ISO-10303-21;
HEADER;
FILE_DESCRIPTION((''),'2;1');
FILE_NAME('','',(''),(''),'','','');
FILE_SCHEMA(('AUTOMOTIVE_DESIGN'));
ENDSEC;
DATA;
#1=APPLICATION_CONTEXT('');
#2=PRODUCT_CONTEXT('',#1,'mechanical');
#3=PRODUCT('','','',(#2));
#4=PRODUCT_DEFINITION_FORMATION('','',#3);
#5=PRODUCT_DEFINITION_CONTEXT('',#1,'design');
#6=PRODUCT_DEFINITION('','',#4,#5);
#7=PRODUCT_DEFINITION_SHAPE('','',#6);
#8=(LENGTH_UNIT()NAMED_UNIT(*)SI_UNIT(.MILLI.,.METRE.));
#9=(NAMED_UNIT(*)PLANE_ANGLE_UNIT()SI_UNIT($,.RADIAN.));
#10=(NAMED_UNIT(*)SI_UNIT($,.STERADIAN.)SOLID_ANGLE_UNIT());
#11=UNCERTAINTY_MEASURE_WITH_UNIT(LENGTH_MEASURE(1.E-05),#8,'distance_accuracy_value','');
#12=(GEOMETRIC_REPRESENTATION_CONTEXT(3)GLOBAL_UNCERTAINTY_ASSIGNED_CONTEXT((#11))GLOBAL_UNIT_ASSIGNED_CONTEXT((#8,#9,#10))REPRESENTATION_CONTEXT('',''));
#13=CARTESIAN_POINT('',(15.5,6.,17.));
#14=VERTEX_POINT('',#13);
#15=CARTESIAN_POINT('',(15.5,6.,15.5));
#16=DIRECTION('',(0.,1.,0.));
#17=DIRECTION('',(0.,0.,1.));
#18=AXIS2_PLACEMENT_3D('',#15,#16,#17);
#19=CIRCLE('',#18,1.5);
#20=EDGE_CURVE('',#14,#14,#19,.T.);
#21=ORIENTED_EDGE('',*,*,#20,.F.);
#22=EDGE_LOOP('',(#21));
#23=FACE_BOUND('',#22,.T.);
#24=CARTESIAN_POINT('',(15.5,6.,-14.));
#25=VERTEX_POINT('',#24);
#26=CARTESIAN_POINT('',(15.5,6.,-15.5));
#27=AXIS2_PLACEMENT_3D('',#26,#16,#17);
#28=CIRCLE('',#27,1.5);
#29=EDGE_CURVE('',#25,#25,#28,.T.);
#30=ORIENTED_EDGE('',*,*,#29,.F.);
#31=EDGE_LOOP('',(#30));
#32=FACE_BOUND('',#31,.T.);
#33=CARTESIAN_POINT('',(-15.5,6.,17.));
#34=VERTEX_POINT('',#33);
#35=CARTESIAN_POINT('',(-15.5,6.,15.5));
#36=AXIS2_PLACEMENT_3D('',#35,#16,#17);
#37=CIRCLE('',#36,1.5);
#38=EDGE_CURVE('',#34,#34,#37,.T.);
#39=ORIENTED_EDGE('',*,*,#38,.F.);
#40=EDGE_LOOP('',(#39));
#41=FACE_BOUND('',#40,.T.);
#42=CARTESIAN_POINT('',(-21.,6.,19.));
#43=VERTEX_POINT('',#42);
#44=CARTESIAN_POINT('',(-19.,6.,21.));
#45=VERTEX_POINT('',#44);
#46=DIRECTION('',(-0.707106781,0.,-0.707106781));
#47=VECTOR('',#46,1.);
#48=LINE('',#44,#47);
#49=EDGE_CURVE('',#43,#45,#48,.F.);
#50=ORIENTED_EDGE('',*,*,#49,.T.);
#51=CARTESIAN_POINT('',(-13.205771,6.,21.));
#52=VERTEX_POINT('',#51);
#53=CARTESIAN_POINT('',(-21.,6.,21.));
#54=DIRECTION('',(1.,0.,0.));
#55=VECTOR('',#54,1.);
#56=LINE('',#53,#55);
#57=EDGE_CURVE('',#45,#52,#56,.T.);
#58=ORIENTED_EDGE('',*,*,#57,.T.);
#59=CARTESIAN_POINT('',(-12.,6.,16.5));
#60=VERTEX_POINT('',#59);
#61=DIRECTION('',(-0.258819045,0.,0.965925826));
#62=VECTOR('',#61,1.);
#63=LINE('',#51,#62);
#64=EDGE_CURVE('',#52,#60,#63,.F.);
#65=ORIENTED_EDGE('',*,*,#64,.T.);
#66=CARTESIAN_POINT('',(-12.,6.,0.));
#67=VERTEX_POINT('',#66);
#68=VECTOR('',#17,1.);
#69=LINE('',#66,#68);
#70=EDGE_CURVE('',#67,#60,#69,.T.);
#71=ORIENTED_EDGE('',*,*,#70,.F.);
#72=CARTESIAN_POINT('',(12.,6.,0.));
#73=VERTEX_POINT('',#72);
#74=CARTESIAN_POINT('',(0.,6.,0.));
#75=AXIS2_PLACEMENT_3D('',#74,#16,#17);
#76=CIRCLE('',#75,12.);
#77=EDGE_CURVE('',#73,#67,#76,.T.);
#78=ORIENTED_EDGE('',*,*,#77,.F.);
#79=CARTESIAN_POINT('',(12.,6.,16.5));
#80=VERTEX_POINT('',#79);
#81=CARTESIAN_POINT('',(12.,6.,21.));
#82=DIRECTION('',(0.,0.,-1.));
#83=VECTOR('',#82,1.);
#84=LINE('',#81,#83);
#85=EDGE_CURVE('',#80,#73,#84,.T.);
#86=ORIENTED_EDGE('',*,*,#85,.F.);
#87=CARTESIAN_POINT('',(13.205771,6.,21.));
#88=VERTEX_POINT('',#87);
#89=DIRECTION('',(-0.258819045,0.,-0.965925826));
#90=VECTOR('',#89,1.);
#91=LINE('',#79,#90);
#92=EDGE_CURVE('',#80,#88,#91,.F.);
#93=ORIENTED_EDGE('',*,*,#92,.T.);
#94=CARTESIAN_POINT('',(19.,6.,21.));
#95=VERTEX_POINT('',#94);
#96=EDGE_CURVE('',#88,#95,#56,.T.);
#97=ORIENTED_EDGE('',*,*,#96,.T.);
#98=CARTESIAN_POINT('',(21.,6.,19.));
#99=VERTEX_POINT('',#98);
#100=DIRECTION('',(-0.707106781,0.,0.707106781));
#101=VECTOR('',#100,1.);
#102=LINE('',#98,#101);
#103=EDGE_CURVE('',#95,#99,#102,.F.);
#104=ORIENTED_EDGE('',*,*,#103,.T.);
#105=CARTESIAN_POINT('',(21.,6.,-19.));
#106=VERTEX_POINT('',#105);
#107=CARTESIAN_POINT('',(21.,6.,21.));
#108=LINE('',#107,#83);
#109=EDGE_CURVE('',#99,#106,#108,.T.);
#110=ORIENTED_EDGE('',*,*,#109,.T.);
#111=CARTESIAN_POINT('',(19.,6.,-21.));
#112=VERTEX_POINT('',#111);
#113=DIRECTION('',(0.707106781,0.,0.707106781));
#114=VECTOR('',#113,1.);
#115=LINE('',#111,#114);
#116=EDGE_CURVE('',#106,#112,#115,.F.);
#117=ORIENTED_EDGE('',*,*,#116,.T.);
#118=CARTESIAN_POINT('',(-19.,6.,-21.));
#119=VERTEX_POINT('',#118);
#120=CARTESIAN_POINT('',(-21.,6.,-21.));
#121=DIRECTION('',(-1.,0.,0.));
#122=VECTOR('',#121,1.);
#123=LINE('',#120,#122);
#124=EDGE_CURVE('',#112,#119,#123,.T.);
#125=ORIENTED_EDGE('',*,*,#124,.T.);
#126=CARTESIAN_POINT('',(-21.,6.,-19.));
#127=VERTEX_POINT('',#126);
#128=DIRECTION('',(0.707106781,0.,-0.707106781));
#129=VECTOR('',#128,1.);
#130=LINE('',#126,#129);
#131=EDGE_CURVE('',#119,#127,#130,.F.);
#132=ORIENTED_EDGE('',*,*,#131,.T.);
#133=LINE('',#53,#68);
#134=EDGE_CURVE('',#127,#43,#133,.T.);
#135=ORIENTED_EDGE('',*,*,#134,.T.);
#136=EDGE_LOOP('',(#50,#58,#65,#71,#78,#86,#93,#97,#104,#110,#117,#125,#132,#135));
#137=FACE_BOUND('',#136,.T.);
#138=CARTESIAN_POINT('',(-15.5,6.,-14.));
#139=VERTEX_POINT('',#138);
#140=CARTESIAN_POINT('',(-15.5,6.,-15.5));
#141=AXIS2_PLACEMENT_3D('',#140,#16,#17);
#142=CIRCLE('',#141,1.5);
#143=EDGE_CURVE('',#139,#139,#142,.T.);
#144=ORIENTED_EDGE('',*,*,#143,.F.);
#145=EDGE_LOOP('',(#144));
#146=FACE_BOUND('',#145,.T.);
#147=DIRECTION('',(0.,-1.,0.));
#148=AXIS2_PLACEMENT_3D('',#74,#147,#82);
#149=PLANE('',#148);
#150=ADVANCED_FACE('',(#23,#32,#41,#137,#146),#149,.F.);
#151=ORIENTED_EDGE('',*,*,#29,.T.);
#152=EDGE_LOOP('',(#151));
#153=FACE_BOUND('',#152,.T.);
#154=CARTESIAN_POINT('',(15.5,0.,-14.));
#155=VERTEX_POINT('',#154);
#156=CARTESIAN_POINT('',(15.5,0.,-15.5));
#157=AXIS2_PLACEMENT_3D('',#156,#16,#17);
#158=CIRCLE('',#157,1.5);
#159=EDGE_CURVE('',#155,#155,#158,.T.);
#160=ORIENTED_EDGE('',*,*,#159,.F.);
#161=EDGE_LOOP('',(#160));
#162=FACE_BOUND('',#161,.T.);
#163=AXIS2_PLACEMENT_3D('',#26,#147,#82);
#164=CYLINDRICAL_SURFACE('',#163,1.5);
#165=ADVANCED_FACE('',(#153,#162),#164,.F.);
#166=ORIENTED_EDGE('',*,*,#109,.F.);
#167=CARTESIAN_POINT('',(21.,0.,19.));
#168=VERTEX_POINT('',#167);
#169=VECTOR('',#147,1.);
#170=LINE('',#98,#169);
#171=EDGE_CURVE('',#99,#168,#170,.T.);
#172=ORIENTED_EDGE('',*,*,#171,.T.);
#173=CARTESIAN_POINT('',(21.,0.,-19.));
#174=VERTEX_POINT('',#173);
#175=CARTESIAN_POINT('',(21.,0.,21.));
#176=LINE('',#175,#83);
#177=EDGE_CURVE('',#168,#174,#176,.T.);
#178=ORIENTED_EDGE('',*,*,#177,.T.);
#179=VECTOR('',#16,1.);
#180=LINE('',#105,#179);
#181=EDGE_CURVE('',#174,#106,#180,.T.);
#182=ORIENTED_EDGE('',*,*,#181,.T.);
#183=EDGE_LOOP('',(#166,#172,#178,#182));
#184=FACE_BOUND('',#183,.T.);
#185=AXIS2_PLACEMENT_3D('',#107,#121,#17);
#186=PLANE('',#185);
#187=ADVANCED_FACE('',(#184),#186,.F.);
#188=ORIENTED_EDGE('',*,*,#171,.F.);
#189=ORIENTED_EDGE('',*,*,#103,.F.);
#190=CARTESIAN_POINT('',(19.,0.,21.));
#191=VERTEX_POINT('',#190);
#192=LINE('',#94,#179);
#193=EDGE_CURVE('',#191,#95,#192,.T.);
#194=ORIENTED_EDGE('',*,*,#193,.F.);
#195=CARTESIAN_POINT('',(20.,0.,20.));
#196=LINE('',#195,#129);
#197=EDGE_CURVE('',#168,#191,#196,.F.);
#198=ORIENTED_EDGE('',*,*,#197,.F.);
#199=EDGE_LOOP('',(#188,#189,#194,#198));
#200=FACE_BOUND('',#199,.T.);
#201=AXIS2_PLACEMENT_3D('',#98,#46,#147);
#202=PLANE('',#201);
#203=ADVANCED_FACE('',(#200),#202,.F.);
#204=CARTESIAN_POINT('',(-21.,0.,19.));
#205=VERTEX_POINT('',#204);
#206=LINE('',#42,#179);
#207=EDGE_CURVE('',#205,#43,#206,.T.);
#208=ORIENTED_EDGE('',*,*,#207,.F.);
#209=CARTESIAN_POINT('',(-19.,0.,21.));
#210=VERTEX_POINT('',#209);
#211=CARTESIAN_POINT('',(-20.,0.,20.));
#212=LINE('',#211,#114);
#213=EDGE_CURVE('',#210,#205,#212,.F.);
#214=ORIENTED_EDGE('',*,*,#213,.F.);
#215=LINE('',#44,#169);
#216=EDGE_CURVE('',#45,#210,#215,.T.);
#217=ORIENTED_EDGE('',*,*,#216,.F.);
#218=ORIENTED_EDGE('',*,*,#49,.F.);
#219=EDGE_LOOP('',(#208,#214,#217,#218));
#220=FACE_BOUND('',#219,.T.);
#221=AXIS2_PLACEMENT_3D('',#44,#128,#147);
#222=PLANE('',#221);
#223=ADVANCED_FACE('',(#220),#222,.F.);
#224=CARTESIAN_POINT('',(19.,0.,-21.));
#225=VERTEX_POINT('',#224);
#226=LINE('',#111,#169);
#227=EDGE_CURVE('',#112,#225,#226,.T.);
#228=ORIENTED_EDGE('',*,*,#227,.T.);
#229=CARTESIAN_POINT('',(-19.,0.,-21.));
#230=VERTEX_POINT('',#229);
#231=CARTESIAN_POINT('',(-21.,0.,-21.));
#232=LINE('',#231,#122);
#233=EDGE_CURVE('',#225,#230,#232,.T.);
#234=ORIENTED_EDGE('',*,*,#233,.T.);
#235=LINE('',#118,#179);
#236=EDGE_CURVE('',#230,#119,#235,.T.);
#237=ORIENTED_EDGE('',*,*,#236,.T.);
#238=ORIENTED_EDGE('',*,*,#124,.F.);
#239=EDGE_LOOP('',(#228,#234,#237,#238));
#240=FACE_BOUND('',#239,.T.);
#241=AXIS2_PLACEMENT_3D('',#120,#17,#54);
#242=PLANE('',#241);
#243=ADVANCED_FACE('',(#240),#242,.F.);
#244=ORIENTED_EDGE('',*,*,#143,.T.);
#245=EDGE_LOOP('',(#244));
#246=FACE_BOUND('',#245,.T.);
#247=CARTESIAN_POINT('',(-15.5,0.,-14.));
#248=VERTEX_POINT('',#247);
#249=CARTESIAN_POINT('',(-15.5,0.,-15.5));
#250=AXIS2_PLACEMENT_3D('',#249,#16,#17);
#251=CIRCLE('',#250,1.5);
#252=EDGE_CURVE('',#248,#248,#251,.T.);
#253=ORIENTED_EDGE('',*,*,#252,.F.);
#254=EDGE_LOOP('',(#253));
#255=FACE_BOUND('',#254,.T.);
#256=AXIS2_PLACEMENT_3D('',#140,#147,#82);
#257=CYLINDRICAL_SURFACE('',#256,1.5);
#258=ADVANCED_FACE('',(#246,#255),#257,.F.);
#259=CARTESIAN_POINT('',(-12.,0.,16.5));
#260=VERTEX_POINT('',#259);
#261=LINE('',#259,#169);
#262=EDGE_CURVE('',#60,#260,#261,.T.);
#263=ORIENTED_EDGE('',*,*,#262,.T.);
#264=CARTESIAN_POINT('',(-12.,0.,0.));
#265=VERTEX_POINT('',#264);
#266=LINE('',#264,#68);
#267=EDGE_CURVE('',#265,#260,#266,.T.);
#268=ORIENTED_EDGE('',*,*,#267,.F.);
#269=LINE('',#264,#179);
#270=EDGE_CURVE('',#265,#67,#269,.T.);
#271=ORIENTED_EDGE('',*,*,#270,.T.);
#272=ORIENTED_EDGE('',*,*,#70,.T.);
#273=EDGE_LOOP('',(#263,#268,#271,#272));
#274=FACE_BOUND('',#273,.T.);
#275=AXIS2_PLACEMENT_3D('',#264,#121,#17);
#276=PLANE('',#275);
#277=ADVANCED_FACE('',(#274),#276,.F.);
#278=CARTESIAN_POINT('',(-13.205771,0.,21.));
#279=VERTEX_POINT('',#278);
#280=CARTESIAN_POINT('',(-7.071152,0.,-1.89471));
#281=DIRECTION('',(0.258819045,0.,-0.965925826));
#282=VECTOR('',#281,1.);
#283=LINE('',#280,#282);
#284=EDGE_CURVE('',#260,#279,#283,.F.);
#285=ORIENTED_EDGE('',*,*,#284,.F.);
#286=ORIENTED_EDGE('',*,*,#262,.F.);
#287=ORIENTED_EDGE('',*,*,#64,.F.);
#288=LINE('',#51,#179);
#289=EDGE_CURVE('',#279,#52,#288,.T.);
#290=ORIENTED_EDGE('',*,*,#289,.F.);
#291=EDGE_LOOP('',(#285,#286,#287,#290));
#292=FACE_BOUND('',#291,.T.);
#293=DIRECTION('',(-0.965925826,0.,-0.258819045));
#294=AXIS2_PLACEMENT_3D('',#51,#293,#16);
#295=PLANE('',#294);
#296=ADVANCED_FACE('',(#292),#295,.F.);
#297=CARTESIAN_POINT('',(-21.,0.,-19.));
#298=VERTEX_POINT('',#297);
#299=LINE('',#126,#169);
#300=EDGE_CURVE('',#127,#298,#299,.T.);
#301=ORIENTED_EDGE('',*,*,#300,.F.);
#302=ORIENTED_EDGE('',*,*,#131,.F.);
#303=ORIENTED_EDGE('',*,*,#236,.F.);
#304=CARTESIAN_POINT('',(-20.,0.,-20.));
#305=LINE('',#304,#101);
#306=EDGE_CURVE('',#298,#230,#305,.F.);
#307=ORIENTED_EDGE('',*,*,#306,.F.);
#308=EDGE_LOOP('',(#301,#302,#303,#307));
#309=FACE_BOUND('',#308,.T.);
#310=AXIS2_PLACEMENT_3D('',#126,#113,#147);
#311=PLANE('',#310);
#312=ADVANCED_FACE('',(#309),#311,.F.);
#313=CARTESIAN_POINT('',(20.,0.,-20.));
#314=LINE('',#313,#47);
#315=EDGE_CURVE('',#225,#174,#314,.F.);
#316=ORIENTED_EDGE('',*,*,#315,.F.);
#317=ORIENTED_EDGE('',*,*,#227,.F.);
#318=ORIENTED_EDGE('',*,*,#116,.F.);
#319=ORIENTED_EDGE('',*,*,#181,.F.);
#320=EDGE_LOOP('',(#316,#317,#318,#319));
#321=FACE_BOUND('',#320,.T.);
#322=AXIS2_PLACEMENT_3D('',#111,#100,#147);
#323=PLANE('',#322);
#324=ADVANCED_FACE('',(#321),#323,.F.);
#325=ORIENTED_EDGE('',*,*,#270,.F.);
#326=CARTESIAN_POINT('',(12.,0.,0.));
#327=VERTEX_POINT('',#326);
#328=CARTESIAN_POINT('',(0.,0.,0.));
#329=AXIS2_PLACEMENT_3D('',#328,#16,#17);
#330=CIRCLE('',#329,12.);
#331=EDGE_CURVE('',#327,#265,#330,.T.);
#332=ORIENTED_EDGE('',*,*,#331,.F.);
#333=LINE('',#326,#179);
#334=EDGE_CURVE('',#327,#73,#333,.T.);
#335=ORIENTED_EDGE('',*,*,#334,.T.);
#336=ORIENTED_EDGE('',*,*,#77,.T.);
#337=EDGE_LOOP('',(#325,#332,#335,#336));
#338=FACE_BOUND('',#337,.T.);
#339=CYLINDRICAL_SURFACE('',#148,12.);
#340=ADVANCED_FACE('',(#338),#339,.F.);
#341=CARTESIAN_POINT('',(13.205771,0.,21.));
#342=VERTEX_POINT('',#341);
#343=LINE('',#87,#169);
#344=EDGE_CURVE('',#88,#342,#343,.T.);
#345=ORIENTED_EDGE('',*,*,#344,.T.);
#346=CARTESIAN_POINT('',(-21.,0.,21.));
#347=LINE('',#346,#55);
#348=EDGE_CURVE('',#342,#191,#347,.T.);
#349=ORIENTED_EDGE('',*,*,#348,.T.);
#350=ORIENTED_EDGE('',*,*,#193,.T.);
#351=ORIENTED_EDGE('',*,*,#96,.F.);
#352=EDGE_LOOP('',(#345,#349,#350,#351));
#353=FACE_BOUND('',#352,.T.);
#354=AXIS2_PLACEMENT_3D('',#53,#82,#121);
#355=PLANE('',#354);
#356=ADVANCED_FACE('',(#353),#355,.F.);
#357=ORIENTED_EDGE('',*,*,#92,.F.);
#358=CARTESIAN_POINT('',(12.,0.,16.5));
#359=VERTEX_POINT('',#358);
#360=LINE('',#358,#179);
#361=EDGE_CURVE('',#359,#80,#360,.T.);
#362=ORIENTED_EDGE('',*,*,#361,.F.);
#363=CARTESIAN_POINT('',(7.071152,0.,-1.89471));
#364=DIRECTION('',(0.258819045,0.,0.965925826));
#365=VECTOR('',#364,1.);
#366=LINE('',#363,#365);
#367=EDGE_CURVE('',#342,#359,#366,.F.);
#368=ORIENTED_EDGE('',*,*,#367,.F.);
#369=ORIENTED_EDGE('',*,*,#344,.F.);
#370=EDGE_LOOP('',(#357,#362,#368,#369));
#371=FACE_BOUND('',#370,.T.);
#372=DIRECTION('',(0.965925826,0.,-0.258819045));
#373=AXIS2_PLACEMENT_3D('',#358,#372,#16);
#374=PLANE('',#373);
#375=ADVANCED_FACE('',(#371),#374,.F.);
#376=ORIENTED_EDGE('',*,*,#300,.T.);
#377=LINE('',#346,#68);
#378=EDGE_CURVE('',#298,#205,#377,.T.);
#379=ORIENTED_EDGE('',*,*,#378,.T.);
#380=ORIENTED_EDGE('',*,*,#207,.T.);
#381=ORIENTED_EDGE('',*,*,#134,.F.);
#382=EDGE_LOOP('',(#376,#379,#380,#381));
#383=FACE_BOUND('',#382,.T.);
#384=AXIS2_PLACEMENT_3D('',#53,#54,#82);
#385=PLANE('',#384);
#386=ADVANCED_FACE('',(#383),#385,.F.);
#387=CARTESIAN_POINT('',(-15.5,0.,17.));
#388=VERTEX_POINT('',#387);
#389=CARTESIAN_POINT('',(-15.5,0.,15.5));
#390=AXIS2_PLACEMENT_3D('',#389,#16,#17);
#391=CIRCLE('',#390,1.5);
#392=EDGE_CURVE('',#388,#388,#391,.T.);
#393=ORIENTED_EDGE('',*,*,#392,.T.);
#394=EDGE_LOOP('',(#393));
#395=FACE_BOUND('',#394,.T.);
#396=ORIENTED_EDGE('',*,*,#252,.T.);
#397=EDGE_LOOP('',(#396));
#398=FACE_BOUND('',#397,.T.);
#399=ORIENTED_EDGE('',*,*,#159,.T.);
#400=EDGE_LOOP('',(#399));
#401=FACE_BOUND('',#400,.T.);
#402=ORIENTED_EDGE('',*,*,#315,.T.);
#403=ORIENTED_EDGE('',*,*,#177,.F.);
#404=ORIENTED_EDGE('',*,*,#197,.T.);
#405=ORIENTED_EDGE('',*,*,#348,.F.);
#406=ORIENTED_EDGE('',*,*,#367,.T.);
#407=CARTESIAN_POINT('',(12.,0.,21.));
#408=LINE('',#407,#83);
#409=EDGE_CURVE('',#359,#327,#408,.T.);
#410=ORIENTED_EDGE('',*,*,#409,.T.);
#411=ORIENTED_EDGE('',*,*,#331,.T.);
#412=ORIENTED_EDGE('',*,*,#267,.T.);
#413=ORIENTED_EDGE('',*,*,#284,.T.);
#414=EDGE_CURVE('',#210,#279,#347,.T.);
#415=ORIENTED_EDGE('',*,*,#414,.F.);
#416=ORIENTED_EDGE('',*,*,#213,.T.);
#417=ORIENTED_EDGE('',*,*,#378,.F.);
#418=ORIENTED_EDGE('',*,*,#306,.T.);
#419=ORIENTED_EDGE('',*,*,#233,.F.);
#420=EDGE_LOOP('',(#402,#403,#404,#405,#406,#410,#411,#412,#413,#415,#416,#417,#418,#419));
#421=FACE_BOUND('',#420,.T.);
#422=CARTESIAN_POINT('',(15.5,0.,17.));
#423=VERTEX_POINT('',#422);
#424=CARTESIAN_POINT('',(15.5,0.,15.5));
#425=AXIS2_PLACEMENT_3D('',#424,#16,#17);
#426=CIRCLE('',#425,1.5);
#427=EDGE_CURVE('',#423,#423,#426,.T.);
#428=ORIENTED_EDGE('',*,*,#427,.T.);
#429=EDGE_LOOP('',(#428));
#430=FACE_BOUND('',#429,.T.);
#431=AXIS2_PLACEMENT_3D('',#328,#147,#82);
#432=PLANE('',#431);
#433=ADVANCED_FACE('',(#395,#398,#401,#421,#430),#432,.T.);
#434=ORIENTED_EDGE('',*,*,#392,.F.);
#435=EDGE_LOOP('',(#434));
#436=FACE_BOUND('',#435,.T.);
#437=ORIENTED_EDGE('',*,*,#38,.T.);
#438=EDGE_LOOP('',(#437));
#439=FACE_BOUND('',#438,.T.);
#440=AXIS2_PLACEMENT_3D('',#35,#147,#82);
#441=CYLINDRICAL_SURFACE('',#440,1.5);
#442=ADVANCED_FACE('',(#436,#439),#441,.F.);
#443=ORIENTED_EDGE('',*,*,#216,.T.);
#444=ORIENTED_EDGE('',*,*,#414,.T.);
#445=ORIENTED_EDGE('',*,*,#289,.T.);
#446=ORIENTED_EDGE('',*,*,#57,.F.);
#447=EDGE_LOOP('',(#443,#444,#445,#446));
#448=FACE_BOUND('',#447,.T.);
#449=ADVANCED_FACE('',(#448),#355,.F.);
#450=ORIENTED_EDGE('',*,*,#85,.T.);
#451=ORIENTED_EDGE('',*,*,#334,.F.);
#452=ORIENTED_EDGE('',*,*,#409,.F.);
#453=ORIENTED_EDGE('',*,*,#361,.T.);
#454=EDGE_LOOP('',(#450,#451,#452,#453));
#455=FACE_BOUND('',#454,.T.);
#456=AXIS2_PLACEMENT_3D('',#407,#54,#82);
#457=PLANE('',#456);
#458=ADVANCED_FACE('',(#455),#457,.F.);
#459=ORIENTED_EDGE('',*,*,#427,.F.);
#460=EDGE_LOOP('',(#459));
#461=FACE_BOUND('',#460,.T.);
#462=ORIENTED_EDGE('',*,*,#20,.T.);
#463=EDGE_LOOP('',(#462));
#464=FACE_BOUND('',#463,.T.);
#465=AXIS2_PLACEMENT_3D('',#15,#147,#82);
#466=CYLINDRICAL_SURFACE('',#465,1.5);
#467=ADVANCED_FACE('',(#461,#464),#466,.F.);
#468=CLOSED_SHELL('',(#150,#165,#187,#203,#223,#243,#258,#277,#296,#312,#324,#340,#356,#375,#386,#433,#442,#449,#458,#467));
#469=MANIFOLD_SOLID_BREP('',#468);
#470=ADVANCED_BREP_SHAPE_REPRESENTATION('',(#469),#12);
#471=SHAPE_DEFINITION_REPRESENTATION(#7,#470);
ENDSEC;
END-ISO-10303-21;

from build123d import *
from OCP.BRepFilletAPI import BRepFilletAPI_MakeChamfer

# Parameters (mm, degrees)
SKETCH1_W           = 42
SKETCH1_H           = 42
SKETCH1_R           = 12
SKETCH1_R_2         = 1.5
BOSS_EXTRUDE1_DEPTH = 6
CHAMFER1_SIZE       = 2
SKETCH2_W           = 24
SKETCH2_H           = 21
CUT_EXTRUDE1_DEPTH  = 31.298514815
CHAMFER2_SIZE       = 4.5
CHAMFER2_SIZE2      = 1.205771366


with BuildPart() as part:
    # Sketch1 → Boss-Extrude1 (new body)
    with BuildSketch(Plane(origin=(0, 0, 0), x_dir=(1, 0, 0), z_dir=(0, 1, 0))):
        Rectangle(SKETCH1_W, SKETCH1_H)
        with Locations(Location((0, 0, 0), (0, 0, 270))):
            Circle(SKETCH1_R, mode=Mode.SUBTRACT)
        with Locations(Location((-15.5, 15.5, 0), (0, 0, 270))):
            Circle(SKETCH1_R_2, mode=Mode.SUBTRACT)
        with Locations(Location((15.5, 15.5, 0), (0, 0, 270))):
            Circle(SKETCH1_R_2, mode=Mode.SUBTRACT)
        with Locations(Location((15.5, -15.5, 0), (0, 0, 270))):
            Circle(SKETCH1_R_2, mode=Mode.SUBTRACT)
        with Locations(Location((-15.5, -15.5, 0), (0, 0, 270))):
            Circle(SKETCH1_R_2, mode=Mode.SUBTRACT)
    extrude(amount=BOSS_EXTRUDE1_DEPTH)

    # Chamfer1
    chamfer1_edges = [part.edges().sort_by_distance(p)[0] for p in [
        (21, 3, 21),
        (-21, 3, 21),
        (-21, 3, -21),
        (21, 3, -21),
    ]]
    chamfer(chamfer1_edges, length=CHAMFER1_SIZE)

    # Sketch2 → Cut-Extrude1 (cut, through all)
    with BuildSketch(Plane(origin=(0, 6, 0), x_dir=(1, 0, 0), z_dir=(0, 1, 0))):
        with Locations((0, -10.5)):
            Rectangle(SKETCH2_W, SKETCH2_H)
    extrude(amount=-CUT_EXTRUDE1_DEPTH, mode=Mode.SUBTRACT)

    # Chamfer2: one chamfer whose edges measure the first distance from different faces: ONE call of the kernel's chamfer builder (chamfer() names one face for all edges)
    chamfer2_edges_1 = [part.edges().sort_by_distance(p)[0] for p in [
        (12, 3, 21),
    ]]
    chamfer2_side_1 = [part.faces().sort_by_distance(p)[0] for p in [
        (12, 3, 10.5),
    ]]
    chamfer2_edges_2 = [part.edges().sort_by_distance(p)[0] for p in [
        (-12, 3, 21),
    ]]
    chamfer2_side_2 = [part.faces().sort_by_distance(p)[0] for p in [
        (-12, 3, 10.5),
    ]]
    chamfer2 = BRepFilletAPI_MakeChamfer(part.part.solid().wrapped)
    for e in chamfer2_edges_1:
        chamfer2.Add(CHAMFER2_SIZE, CHAMFER2_SIZE2, e.wrapped, chamfer2_side_1[0].wrapped)  # the first distance lies on this face
    for e in chamfer2_edges_2:
        chamfer2.Add(CHAMFER2_SIZE, CHAMFER2_SIZE2, e.wrapped, chamfer2_side_2[0].wrapped)  # the first distance lies on this face
    add(Compound.cast(chamfer2.Shape()), mode=Mode.REPLACE)


solid = part.part
